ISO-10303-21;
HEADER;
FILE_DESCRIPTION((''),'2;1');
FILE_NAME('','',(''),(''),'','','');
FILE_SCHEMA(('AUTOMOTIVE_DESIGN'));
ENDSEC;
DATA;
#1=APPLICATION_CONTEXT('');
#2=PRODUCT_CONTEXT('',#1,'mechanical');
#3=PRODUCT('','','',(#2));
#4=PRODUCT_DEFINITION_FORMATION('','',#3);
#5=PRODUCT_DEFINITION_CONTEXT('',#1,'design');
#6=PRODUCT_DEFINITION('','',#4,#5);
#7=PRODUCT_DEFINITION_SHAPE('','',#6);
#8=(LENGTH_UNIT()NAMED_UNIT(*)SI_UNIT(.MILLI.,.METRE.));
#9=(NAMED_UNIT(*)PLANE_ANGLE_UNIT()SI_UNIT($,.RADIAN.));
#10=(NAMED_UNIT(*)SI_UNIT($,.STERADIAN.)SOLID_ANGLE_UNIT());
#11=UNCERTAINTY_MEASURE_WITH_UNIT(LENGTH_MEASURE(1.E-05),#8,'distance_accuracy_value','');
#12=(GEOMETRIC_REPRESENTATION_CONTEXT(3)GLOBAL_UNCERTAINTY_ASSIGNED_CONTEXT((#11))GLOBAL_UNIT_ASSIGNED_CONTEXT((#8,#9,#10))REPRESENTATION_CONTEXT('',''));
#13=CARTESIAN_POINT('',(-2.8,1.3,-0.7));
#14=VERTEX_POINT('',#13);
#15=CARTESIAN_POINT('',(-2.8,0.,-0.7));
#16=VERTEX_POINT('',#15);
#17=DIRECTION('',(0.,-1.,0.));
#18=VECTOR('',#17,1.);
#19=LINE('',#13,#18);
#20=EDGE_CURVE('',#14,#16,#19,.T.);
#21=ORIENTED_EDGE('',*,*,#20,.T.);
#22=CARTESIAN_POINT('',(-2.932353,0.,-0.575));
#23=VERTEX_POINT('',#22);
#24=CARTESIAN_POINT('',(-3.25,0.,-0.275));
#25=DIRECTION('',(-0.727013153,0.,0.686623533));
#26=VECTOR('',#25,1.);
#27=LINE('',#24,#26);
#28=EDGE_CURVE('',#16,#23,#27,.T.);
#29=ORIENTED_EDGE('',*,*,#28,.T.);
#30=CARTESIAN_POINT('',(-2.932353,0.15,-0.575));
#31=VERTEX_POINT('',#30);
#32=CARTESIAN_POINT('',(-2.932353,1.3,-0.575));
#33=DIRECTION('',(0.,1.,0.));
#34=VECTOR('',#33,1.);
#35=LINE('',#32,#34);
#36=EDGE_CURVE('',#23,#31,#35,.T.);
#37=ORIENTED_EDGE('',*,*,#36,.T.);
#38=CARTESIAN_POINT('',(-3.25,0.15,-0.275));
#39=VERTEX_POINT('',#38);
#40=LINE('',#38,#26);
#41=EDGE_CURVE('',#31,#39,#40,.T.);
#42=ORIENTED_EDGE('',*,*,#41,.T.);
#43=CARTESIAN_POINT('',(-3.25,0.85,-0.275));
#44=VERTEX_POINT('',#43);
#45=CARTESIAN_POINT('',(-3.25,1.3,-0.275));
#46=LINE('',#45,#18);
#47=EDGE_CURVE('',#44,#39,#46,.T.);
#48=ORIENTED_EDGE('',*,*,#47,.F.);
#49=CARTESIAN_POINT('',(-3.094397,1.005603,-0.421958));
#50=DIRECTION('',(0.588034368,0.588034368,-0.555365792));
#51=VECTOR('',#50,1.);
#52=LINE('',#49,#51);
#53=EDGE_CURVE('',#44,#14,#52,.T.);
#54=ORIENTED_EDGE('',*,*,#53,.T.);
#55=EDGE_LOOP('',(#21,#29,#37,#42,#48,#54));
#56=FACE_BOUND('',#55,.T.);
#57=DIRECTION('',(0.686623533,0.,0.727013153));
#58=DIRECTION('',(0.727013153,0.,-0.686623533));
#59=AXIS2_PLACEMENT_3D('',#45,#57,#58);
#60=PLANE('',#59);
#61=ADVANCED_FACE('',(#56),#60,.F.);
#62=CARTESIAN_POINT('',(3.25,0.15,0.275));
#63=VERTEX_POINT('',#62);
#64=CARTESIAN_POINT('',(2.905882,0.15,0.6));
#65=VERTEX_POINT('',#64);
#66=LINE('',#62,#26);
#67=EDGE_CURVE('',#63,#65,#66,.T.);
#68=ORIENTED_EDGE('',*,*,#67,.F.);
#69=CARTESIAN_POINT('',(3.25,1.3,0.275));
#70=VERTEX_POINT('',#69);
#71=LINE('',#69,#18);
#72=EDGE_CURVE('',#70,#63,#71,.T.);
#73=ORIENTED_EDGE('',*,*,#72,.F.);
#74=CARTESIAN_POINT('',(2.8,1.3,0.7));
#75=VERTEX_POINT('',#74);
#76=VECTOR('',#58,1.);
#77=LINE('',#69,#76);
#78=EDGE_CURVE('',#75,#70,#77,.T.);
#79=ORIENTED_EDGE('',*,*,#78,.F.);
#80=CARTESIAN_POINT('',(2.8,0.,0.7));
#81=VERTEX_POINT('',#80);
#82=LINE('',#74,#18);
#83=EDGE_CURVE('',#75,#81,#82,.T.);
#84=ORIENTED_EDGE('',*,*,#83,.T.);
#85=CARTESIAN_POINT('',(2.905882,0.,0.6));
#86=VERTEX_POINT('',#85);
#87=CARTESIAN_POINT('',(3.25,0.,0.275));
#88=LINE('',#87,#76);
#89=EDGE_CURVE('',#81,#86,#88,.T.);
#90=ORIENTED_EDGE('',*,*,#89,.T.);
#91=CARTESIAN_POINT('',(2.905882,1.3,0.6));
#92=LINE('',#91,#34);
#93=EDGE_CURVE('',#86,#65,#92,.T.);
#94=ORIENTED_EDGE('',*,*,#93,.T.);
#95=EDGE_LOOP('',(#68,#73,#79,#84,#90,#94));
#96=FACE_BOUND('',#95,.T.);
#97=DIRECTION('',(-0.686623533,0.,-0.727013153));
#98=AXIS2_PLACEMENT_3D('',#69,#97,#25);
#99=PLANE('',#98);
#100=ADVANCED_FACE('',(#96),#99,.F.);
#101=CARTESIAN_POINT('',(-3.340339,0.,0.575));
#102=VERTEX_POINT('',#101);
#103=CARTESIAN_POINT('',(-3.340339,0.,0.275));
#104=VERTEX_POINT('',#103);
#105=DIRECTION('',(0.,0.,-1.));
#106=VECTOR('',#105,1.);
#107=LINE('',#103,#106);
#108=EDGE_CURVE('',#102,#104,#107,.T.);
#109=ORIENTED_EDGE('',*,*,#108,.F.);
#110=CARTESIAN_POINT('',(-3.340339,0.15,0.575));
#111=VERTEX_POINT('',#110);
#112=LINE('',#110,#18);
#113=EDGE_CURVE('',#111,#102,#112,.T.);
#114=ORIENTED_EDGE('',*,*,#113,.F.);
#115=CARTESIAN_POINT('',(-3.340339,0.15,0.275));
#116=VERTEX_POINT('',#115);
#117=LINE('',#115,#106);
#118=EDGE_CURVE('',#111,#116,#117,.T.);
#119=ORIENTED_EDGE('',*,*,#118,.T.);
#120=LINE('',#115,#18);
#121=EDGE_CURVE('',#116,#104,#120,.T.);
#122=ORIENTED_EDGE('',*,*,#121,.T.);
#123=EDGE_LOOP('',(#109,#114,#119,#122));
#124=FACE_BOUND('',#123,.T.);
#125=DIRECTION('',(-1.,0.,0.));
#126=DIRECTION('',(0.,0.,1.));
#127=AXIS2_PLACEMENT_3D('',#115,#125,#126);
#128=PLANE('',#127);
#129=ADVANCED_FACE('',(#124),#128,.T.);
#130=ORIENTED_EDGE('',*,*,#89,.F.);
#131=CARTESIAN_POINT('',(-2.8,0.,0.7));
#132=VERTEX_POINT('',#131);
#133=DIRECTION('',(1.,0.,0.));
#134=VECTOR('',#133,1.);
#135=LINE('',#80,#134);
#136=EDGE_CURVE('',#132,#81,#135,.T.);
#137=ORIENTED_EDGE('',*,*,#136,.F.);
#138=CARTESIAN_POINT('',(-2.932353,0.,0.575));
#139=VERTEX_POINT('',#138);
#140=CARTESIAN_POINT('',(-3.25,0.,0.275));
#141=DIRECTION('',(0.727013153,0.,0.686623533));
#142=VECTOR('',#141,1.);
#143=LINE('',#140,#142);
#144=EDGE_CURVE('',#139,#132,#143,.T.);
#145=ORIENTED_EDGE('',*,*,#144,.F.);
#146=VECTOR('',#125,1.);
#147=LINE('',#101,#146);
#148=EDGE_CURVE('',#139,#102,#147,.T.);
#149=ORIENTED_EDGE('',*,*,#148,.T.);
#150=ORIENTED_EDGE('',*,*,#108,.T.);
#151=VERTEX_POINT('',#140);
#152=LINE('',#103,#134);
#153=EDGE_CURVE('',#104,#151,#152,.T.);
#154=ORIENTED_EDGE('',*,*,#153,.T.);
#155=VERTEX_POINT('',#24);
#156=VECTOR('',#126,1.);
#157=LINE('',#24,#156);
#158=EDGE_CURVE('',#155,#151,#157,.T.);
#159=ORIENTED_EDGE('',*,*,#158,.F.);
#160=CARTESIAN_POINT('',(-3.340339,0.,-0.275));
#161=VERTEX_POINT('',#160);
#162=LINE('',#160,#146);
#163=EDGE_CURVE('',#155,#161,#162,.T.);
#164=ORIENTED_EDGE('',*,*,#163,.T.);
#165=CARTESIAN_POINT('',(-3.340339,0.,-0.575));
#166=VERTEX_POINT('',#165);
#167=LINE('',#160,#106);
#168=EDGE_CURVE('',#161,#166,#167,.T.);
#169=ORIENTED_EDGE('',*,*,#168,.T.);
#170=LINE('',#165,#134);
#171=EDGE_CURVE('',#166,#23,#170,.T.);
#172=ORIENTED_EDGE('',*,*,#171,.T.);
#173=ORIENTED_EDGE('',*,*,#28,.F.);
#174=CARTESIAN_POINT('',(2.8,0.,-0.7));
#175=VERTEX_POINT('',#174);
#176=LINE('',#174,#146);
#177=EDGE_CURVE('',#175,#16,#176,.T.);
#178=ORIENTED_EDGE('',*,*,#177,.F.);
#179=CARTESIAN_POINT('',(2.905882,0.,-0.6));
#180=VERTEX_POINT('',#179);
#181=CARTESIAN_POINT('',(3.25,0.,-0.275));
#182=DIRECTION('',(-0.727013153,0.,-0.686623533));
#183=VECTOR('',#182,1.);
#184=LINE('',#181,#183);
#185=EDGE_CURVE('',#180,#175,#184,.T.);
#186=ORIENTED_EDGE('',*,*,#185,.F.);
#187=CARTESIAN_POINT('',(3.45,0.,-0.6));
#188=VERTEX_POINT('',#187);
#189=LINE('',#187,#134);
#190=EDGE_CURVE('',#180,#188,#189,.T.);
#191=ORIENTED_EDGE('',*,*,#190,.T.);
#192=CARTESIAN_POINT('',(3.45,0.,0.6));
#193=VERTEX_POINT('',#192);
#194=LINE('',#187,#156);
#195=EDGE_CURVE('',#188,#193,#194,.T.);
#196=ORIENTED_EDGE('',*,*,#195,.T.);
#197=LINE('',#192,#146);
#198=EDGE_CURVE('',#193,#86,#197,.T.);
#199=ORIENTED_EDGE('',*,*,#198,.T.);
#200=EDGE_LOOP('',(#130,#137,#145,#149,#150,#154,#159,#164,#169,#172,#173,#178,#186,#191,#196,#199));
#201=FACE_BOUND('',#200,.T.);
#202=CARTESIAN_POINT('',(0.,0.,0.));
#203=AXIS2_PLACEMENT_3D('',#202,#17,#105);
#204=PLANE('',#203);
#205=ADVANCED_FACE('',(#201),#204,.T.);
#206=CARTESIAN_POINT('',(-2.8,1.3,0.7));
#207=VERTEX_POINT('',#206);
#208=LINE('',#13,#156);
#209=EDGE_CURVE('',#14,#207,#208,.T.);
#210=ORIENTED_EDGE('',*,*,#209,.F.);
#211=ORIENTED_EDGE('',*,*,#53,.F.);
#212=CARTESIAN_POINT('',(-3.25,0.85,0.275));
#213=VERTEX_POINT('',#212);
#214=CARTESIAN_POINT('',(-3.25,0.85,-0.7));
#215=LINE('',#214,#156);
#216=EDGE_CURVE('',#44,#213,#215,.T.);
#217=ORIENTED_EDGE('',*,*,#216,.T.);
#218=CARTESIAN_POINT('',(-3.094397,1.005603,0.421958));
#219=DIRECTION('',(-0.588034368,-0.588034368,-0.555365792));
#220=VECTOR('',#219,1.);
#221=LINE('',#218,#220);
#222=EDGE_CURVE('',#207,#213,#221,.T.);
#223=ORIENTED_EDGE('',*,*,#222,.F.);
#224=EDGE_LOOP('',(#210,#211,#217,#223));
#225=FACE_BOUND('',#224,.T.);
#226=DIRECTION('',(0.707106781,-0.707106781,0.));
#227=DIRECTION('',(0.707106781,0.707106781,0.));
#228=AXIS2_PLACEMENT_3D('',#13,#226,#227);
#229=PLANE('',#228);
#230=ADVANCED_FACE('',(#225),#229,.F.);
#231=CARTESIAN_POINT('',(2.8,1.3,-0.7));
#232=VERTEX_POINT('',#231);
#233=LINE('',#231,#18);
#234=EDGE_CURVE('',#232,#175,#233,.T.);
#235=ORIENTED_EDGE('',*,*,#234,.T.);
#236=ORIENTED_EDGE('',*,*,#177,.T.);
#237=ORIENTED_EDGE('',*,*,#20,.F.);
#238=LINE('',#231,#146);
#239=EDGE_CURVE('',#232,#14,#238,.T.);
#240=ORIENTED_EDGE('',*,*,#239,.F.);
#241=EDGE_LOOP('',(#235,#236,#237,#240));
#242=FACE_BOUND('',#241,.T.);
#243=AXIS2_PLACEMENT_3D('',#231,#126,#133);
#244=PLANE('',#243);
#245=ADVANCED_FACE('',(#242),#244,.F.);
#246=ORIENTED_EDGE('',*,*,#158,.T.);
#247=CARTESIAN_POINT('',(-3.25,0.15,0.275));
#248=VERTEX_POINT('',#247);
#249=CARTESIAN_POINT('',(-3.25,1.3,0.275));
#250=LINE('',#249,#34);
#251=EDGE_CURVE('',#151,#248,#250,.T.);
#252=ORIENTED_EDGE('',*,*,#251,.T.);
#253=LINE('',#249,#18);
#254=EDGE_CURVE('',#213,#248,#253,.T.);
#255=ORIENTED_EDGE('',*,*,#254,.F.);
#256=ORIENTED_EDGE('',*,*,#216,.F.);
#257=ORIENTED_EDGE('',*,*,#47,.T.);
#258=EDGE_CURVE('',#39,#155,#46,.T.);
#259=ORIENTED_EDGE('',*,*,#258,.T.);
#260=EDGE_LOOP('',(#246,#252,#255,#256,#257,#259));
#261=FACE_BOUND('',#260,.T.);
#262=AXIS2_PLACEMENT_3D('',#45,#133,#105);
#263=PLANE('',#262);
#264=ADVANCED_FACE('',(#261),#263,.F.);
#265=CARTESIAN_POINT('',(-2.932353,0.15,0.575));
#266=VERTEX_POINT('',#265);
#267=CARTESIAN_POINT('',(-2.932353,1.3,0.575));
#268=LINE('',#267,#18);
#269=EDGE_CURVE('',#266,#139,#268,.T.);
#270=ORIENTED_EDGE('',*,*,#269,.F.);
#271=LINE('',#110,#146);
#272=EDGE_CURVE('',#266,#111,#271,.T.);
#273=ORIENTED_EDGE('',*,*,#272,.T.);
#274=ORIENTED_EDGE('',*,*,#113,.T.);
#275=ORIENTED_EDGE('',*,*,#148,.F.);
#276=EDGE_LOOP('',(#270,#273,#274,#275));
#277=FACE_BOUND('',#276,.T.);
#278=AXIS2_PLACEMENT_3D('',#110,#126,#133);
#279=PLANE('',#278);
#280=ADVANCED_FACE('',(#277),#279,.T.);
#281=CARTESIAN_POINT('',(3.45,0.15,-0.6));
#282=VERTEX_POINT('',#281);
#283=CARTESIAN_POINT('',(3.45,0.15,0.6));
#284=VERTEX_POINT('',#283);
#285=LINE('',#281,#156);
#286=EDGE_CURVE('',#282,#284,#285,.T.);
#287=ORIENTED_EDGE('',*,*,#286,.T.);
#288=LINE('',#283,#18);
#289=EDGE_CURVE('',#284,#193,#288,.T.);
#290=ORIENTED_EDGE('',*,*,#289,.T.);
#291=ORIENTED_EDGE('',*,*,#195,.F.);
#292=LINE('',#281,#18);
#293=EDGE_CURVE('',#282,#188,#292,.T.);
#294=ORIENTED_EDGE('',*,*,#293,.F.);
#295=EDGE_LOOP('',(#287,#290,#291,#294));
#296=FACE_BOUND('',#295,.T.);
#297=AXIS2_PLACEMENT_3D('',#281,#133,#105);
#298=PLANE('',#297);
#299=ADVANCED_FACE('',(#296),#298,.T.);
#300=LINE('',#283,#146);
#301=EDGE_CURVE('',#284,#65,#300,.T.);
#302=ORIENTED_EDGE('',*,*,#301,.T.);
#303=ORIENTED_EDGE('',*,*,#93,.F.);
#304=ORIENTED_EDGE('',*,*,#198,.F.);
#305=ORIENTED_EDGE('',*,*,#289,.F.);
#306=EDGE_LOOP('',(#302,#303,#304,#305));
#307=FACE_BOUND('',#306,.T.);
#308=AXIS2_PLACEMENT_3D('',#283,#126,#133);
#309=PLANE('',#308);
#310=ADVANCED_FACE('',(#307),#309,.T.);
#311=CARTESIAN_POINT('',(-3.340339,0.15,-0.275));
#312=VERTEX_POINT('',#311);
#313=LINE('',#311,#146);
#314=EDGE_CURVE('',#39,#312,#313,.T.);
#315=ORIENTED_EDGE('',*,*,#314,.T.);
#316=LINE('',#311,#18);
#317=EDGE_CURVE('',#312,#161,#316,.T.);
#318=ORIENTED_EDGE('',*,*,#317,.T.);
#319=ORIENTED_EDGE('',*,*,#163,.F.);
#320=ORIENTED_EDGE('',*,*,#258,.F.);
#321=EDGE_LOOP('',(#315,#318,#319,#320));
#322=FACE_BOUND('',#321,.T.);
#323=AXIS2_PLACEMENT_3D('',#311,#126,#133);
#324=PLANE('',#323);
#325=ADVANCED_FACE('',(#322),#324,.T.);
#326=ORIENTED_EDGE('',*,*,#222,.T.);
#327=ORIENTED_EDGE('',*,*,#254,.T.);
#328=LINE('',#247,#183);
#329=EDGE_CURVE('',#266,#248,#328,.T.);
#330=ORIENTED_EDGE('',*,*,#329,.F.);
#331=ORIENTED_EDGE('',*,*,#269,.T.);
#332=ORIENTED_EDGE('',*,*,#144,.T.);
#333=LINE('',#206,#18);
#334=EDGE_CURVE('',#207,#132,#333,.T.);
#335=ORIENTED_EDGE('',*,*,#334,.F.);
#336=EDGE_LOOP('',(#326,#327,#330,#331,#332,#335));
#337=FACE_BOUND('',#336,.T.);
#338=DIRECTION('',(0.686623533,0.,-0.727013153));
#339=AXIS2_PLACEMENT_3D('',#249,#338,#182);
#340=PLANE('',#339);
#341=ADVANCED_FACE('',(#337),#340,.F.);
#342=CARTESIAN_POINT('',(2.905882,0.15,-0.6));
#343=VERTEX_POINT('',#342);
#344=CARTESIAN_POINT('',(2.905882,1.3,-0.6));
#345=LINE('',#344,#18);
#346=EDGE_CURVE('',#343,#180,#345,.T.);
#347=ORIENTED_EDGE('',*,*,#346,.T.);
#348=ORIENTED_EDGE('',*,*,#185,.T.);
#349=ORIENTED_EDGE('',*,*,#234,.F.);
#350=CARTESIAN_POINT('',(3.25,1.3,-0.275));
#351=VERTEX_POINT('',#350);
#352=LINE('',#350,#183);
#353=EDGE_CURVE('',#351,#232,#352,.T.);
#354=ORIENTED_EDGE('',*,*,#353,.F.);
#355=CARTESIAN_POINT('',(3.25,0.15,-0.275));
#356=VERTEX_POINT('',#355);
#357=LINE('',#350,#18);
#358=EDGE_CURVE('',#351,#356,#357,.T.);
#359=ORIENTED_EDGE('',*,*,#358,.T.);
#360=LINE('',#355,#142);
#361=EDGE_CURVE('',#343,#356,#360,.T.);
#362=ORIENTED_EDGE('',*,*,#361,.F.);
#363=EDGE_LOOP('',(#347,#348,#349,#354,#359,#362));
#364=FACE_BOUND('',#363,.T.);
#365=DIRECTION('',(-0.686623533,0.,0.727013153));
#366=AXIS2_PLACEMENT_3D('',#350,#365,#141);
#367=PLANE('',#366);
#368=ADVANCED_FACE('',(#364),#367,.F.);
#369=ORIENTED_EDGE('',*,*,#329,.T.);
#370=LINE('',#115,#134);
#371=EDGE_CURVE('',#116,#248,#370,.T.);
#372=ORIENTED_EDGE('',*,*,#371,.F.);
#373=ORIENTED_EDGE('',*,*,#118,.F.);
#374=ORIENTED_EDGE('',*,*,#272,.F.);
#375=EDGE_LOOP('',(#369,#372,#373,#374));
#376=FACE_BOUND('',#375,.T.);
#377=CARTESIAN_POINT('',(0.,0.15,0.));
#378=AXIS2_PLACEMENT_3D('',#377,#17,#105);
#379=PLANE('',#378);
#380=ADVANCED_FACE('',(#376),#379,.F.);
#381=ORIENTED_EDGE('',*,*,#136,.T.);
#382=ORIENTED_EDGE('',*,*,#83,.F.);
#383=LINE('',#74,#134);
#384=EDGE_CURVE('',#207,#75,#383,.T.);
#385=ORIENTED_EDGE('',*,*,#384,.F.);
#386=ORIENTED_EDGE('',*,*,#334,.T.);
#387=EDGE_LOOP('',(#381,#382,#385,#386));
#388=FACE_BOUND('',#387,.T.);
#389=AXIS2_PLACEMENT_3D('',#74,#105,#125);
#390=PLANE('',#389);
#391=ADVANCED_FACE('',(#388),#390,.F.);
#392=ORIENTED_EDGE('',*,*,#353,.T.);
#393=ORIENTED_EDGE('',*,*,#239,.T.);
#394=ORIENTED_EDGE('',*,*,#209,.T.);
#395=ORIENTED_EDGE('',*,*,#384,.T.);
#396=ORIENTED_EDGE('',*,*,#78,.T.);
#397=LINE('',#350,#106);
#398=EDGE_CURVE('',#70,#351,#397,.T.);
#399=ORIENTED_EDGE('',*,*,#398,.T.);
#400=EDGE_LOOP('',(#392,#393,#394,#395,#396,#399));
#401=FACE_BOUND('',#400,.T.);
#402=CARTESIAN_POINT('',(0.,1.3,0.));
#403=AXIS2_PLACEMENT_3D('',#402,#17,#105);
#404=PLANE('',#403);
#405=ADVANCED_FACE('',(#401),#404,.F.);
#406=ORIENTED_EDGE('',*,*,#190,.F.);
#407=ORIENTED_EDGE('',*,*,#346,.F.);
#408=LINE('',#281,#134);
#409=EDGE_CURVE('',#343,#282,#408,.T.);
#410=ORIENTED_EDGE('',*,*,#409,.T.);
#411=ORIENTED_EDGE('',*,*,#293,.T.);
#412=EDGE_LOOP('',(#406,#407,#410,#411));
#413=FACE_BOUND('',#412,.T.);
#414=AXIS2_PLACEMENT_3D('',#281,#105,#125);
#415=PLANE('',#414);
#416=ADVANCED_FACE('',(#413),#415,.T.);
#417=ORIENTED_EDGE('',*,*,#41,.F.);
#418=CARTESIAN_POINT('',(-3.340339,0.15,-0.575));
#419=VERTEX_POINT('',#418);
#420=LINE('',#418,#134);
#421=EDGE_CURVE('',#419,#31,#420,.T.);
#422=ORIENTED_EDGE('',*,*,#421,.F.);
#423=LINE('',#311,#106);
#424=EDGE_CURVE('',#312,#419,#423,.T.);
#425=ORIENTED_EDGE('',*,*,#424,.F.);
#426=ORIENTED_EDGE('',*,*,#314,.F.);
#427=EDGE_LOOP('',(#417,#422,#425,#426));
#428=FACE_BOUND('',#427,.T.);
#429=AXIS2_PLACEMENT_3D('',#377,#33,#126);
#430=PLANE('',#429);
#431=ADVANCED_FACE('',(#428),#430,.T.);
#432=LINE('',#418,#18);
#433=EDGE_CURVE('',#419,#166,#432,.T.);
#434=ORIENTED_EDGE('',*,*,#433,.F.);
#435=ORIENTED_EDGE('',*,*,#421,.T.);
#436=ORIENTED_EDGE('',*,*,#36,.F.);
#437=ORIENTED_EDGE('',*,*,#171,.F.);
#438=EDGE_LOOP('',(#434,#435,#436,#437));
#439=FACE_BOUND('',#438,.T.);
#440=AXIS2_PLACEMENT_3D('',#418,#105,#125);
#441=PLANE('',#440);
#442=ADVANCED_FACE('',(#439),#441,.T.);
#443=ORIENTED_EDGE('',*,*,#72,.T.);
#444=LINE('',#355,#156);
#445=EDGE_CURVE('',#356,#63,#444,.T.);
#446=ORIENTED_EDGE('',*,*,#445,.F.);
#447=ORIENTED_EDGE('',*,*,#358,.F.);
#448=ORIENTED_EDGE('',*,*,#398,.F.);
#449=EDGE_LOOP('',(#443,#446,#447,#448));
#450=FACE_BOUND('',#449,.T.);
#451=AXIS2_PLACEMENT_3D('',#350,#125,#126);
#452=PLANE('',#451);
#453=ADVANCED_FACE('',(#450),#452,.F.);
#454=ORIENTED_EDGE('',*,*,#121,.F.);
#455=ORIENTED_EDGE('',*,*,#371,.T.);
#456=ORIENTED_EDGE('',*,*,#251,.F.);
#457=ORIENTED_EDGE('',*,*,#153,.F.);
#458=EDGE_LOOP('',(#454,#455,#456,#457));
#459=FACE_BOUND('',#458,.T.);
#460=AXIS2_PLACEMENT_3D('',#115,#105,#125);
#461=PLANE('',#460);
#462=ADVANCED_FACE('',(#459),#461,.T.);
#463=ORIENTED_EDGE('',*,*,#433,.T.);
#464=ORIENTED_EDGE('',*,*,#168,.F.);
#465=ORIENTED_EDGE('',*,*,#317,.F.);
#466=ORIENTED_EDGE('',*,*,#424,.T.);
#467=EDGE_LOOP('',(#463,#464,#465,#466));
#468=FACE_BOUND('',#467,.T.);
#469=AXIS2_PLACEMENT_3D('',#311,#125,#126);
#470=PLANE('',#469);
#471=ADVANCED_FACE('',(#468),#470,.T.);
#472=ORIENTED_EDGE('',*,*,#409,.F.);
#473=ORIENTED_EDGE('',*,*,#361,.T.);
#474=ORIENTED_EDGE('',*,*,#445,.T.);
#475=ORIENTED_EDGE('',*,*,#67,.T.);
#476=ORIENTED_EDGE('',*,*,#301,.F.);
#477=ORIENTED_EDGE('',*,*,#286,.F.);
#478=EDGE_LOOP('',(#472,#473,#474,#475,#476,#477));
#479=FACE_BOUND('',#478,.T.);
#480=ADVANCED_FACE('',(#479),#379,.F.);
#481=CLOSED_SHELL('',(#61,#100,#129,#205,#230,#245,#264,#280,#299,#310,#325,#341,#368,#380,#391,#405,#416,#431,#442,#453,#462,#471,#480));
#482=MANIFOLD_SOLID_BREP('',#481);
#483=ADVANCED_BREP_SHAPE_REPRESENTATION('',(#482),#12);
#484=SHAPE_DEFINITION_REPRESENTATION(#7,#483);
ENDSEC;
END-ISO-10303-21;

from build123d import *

# Parameters (mm, degrees)
BOSS_EXTRUDE1_DEPTH = 1.3
CUT_EXTRUDE1_DEPTH  = 4.769946949
SKETCH4_W           = 0.6
SKETCH4_H           = 1.2
SKETCH4_W_2         = 0.55
SKETCH4_H_2         = 0.3
BOSS_EXTRUDE2_DEPTH = 0.15


with BuildPart() as part:
    # Sketch1 → Boss-Extrude1 (new body)
    with BuildSketch(Plane(origin=(0, 0, 0), x_dir=(1, 0, 0), z_dir=(0, 1, 0))):
        Polygon((2.8, -0.7), (-2.8, -0.7), (-3.25, -0.275), (-3.25, 0.275), (-2.8, 0.7), (2.8, 0.7), (3.25, 0.275), (3.25, -0.275), align=None)
    extrude(amount=BOSS_EXTRUDE1_DEPTH)

    # Sketch2 → Cut-Extrude1 (cut, through all)
    with BuildSketch(Plane.XY.offset(0.7)):
        Polygon((-2.8, 1.3), (-3.25, 0.85), (-3.487156898, 1.338767614), align=None)
    extrude(amount=-CUT_EXTRUDE1_DEPTH, mode=Mode.SUBTRACT)

    # Sketch4 → Boss-Extrude2 (add)
    with BuildSketch(Plane.XZ):
        with Locations((3.15, 0)):
            Rectangle(SKETCH4_W, SKETCH4_H)
        with Locations((-3.065339152, 0.425)):
            Rectangle(SKETCH4_W_2, SKETCH4_H_2)
        with Locations((-3.065339152, -0.425)):
            Rectangle(SKETCH4_W_2, SKETCH4_H_2)
    extrude(amount=-BOSS_EXTRUDE2_DEPTH)


solid = part.part
